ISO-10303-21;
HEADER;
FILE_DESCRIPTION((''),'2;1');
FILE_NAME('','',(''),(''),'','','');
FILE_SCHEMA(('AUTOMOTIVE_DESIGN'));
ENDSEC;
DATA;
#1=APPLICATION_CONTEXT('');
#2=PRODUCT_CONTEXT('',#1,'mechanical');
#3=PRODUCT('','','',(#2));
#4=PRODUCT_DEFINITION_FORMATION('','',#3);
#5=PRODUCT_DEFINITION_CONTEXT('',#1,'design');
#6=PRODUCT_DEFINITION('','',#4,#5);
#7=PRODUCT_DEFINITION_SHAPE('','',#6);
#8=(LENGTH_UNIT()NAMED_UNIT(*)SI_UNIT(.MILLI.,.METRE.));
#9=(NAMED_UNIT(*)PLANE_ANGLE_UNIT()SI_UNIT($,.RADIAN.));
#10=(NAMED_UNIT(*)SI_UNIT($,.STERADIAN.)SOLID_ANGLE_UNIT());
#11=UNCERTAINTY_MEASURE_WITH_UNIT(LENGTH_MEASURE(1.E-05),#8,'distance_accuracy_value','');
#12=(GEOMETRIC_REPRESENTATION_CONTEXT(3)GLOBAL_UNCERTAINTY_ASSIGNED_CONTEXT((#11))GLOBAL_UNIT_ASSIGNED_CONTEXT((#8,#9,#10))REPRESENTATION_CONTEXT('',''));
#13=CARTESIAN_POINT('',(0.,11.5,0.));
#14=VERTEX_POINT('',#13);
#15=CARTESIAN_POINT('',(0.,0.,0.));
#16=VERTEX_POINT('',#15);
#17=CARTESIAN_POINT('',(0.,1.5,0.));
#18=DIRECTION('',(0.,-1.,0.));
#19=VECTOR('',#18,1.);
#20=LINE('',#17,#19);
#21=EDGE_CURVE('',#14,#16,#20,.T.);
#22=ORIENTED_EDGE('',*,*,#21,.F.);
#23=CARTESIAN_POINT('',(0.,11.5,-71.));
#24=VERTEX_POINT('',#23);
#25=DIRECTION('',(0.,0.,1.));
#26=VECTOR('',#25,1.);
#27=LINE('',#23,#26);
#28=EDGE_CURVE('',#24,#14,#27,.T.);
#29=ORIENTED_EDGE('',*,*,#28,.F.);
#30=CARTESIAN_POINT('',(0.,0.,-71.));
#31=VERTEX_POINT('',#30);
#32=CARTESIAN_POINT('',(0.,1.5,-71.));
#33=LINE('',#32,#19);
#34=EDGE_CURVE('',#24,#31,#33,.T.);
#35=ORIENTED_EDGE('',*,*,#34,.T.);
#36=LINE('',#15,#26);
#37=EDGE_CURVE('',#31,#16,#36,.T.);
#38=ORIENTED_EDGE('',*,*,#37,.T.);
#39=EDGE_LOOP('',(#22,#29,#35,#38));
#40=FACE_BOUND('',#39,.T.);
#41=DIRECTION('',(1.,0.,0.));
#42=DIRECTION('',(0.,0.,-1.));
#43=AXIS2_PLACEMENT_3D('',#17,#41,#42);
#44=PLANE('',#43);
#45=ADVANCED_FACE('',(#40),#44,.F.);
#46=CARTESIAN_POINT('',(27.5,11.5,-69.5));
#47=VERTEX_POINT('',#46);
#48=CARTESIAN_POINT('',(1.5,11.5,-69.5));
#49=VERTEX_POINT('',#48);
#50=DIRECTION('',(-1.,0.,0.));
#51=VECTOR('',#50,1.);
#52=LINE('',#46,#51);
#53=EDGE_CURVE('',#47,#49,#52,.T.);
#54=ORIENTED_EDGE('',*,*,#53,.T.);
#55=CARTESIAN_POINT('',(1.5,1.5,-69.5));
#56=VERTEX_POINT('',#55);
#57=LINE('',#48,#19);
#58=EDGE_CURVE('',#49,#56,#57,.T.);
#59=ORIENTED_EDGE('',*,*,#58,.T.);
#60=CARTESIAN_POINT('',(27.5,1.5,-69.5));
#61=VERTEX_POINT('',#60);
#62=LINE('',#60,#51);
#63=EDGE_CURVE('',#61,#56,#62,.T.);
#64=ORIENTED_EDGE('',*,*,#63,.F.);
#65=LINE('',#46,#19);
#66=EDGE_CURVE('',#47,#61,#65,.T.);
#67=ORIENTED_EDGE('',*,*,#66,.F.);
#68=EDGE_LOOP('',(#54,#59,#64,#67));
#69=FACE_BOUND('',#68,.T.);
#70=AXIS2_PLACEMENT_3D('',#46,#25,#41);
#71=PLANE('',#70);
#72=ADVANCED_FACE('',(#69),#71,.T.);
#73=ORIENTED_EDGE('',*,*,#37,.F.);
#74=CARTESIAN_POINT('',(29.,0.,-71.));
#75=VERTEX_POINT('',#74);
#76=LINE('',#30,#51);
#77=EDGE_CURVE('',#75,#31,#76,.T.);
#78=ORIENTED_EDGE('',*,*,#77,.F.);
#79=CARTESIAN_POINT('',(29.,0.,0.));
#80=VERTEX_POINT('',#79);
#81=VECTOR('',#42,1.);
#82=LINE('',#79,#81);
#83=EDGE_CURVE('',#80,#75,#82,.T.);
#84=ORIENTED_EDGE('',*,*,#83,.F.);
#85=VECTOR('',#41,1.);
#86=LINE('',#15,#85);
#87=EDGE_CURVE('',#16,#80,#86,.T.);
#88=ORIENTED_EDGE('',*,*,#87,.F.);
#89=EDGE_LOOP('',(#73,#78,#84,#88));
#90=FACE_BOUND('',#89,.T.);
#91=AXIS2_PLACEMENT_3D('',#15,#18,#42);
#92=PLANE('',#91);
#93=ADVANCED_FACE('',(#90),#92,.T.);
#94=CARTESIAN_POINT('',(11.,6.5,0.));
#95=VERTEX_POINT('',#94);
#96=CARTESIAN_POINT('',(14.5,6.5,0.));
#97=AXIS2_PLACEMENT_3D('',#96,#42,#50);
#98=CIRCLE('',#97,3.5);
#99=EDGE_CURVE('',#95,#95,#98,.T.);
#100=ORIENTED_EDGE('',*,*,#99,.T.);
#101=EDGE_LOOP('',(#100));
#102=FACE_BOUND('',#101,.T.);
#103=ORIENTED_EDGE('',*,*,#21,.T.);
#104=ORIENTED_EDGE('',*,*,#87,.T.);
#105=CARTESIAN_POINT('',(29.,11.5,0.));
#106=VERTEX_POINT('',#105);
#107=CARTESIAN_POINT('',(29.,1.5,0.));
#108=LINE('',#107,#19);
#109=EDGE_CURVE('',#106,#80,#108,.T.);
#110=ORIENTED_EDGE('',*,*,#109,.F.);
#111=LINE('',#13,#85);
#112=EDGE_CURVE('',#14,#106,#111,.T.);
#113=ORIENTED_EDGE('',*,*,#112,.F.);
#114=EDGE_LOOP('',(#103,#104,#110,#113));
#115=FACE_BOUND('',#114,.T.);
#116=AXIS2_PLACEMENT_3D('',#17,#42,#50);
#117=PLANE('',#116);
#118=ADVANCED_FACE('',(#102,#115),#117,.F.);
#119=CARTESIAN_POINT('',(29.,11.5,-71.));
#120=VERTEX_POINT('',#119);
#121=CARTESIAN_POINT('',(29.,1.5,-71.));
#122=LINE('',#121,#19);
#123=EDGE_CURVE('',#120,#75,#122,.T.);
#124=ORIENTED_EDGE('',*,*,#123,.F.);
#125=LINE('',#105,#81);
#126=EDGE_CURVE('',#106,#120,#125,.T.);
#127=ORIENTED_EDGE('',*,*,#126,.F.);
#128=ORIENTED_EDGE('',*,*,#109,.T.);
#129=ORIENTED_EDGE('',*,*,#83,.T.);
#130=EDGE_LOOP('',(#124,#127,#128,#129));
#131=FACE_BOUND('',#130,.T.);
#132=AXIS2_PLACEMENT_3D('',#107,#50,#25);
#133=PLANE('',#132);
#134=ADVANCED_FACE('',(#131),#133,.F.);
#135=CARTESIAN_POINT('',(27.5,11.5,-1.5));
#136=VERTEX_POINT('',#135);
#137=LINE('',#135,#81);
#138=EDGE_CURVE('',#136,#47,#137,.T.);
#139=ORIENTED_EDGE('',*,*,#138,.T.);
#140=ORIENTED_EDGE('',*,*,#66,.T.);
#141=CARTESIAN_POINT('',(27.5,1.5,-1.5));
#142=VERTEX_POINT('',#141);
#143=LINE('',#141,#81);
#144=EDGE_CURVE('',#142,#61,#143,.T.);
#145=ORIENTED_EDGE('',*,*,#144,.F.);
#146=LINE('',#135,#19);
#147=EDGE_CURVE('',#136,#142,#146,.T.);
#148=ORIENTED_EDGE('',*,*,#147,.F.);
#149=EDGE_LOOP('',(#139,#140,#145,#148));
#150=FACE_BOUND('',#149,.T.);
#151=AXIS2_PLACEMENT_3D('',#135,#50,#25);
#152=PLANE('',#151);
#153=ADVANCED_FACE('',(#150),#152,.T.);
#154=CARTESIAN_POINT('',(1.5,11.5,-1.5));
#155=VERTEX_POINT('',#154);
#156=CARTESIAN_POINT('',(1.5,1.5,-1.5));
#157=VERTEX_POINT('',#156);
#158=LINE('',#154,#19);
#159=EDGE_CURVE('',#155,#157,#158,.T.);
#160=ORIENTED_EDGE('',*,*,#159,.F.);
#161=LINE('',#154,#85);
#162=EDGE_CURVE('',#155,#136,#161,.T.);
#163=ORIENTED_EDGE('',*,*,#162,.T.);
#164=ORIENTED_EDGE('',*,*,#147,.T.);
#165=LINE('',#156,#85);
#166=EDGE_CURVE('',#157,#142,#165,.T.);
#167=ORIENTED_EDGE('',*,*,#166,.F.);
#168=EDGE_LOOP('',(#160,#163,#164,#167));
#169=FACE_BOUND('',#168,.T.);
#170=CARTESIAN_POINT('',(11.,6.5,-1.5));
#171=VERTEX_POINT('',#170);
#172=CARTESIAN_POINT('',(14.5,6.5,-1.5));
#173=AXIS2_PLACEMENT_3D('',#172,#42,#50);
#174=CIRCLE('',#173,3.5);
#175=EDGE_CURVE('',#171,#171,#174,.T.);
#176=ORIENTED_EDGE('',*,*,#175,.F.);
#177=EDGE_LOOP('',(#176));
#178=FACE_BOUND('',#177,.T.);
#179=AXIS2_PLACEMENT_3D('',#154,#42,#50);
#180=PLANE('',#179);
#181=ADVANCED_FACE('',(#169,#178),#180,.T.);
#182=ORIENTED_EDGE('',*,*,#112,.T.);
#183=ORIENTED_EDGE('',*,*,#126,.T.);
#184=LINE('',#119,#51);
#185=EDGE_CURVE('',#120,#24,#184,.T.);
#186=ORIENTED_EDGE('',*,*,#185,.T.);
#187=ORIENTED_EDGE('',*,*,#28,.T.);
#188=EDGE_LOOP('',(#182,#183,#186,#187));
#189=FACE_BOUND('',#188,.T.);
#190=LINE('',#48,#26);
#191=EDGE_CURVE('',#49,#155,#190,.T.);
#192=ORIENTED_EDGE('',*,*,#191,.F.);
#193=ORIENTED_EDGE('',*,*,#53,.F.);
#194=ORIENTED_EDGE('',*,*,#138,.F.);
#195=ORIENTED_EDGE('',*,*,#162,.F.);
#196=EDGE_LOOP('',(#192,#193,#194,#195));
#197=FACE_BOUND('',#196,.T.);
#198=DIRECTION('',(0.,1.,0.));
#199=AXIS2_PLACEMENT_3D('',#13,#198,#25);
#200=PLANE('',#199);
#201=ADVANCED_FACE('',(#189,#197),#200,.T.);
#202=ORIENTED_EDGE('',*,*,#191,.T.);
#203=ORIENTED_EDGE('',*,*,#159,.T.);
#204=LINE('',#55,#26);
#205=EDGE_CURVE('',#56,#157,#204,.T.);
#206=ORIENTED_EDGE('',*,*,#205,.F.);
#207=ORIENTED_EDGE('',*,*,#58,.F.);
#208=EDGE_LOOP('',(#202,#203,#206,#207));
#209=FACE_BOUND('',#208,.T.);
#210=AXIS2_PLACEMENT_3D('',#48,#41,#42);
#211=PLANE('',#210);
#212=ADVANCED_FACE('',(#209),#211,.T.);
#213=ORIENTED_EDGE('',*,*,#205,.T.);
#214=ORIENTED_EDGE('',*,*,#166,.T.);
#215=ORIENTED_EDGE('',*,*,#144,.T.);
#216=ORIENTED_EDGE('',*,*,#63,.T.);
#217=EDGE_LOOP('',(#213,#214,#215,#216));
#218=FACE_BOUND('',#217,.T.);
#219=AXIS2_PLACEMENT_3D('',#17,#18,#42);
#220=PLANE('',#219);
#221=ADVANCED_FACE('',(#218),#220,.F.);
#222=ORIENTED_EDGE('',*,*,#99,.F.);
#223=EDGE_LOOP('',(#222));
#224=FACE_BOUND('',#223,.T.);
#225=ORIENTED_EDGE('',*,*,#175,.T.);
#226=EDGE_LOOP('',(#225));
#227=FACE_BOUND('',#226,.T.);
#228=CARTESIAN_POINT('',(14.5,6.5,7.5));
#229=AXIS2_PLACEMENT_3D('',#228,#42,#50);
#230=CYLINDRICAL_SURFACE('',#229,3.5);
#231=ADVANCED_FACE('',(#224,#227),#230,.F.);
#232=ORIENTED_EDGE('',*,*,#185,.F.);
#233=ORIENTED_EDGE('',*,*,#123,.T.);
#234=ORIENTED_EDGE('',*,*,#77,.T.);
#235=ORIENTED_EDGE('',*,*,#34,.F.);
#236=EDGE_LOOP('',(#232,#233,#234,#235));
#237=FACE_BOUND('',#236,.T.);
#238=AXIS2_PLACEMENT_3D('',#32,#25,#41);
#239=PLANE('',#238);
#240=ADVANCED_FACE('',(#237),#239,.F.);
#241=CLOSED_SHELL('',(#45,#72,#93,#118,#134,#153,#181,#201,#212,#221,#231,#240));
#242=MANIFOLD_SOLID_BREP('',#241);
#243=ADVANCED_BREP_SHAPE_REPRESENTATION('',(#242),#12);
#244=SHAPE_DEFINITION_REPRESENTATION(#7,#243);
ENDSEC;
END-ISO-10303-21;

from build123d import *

# Parameters (mm, degrees)
SKETCH1_W           = 29
SKETCH1_H           = 71
BOSS_EXTRUDE1_DEPTH = 1.5
SKETCH2_W           = 29
SKETCH2_H           = 71
SKETCH2_W_2         = 26
SKETCH2_H_2         = 68
BOSS_EXTRUDE2_DEPTH = 10
SKETCH3_R           = 3.5
CUT_EXTRUDE1_DEPTH  = 9


with BuildPart() as part:
    # Sketch1 → Boss-Extrude1 (new body)
    with BuildSketch(Plane(origin=(0, 0, 0), x_dir=(1, 0, 0), z_dir=(0, 1, 0))):
        with Locations((14.5, 35.5)):
            Rectangle(SKETCH1_W, SKETCH1_H)
    extrude(amount=BOSS_EXTRUDE1_DEPTH)

    # Sketch2 → Boss-Extrude2 (add)
    with BuildSketch(Plane(origin=(0, 1.5, 0), x_dir=(1, 0, 0), z_dir=(0, 1, 0))):
        with Locations((14.5, 35.5)):
            Rectangle(SKETCH2_W, SKETCH2_H)
        with Locations((14.5, 35.5)):
            Rectangle(SKETCH2_W_2, SKETCH2_H_2, mode=Mode.SUBTRACT)
    extrude(amount=BOSS_EXTRUDE2_DEPTH)

    # Sketch3 → Cut-Extrude1 (cut)
    with BuildSketch(Plane(origin=(0, 0, -1.5), x_dir=(-1, 0, 0), z_dir=(0, 0, -1))):
        with Locations((-14.5, 6.5)):
            Circle(SKETCH3_R)
    extrude(amount=-CUT_EXTRUDE1_DEPTH, mode=Mode.SUBTRACT)


solid = part.part
